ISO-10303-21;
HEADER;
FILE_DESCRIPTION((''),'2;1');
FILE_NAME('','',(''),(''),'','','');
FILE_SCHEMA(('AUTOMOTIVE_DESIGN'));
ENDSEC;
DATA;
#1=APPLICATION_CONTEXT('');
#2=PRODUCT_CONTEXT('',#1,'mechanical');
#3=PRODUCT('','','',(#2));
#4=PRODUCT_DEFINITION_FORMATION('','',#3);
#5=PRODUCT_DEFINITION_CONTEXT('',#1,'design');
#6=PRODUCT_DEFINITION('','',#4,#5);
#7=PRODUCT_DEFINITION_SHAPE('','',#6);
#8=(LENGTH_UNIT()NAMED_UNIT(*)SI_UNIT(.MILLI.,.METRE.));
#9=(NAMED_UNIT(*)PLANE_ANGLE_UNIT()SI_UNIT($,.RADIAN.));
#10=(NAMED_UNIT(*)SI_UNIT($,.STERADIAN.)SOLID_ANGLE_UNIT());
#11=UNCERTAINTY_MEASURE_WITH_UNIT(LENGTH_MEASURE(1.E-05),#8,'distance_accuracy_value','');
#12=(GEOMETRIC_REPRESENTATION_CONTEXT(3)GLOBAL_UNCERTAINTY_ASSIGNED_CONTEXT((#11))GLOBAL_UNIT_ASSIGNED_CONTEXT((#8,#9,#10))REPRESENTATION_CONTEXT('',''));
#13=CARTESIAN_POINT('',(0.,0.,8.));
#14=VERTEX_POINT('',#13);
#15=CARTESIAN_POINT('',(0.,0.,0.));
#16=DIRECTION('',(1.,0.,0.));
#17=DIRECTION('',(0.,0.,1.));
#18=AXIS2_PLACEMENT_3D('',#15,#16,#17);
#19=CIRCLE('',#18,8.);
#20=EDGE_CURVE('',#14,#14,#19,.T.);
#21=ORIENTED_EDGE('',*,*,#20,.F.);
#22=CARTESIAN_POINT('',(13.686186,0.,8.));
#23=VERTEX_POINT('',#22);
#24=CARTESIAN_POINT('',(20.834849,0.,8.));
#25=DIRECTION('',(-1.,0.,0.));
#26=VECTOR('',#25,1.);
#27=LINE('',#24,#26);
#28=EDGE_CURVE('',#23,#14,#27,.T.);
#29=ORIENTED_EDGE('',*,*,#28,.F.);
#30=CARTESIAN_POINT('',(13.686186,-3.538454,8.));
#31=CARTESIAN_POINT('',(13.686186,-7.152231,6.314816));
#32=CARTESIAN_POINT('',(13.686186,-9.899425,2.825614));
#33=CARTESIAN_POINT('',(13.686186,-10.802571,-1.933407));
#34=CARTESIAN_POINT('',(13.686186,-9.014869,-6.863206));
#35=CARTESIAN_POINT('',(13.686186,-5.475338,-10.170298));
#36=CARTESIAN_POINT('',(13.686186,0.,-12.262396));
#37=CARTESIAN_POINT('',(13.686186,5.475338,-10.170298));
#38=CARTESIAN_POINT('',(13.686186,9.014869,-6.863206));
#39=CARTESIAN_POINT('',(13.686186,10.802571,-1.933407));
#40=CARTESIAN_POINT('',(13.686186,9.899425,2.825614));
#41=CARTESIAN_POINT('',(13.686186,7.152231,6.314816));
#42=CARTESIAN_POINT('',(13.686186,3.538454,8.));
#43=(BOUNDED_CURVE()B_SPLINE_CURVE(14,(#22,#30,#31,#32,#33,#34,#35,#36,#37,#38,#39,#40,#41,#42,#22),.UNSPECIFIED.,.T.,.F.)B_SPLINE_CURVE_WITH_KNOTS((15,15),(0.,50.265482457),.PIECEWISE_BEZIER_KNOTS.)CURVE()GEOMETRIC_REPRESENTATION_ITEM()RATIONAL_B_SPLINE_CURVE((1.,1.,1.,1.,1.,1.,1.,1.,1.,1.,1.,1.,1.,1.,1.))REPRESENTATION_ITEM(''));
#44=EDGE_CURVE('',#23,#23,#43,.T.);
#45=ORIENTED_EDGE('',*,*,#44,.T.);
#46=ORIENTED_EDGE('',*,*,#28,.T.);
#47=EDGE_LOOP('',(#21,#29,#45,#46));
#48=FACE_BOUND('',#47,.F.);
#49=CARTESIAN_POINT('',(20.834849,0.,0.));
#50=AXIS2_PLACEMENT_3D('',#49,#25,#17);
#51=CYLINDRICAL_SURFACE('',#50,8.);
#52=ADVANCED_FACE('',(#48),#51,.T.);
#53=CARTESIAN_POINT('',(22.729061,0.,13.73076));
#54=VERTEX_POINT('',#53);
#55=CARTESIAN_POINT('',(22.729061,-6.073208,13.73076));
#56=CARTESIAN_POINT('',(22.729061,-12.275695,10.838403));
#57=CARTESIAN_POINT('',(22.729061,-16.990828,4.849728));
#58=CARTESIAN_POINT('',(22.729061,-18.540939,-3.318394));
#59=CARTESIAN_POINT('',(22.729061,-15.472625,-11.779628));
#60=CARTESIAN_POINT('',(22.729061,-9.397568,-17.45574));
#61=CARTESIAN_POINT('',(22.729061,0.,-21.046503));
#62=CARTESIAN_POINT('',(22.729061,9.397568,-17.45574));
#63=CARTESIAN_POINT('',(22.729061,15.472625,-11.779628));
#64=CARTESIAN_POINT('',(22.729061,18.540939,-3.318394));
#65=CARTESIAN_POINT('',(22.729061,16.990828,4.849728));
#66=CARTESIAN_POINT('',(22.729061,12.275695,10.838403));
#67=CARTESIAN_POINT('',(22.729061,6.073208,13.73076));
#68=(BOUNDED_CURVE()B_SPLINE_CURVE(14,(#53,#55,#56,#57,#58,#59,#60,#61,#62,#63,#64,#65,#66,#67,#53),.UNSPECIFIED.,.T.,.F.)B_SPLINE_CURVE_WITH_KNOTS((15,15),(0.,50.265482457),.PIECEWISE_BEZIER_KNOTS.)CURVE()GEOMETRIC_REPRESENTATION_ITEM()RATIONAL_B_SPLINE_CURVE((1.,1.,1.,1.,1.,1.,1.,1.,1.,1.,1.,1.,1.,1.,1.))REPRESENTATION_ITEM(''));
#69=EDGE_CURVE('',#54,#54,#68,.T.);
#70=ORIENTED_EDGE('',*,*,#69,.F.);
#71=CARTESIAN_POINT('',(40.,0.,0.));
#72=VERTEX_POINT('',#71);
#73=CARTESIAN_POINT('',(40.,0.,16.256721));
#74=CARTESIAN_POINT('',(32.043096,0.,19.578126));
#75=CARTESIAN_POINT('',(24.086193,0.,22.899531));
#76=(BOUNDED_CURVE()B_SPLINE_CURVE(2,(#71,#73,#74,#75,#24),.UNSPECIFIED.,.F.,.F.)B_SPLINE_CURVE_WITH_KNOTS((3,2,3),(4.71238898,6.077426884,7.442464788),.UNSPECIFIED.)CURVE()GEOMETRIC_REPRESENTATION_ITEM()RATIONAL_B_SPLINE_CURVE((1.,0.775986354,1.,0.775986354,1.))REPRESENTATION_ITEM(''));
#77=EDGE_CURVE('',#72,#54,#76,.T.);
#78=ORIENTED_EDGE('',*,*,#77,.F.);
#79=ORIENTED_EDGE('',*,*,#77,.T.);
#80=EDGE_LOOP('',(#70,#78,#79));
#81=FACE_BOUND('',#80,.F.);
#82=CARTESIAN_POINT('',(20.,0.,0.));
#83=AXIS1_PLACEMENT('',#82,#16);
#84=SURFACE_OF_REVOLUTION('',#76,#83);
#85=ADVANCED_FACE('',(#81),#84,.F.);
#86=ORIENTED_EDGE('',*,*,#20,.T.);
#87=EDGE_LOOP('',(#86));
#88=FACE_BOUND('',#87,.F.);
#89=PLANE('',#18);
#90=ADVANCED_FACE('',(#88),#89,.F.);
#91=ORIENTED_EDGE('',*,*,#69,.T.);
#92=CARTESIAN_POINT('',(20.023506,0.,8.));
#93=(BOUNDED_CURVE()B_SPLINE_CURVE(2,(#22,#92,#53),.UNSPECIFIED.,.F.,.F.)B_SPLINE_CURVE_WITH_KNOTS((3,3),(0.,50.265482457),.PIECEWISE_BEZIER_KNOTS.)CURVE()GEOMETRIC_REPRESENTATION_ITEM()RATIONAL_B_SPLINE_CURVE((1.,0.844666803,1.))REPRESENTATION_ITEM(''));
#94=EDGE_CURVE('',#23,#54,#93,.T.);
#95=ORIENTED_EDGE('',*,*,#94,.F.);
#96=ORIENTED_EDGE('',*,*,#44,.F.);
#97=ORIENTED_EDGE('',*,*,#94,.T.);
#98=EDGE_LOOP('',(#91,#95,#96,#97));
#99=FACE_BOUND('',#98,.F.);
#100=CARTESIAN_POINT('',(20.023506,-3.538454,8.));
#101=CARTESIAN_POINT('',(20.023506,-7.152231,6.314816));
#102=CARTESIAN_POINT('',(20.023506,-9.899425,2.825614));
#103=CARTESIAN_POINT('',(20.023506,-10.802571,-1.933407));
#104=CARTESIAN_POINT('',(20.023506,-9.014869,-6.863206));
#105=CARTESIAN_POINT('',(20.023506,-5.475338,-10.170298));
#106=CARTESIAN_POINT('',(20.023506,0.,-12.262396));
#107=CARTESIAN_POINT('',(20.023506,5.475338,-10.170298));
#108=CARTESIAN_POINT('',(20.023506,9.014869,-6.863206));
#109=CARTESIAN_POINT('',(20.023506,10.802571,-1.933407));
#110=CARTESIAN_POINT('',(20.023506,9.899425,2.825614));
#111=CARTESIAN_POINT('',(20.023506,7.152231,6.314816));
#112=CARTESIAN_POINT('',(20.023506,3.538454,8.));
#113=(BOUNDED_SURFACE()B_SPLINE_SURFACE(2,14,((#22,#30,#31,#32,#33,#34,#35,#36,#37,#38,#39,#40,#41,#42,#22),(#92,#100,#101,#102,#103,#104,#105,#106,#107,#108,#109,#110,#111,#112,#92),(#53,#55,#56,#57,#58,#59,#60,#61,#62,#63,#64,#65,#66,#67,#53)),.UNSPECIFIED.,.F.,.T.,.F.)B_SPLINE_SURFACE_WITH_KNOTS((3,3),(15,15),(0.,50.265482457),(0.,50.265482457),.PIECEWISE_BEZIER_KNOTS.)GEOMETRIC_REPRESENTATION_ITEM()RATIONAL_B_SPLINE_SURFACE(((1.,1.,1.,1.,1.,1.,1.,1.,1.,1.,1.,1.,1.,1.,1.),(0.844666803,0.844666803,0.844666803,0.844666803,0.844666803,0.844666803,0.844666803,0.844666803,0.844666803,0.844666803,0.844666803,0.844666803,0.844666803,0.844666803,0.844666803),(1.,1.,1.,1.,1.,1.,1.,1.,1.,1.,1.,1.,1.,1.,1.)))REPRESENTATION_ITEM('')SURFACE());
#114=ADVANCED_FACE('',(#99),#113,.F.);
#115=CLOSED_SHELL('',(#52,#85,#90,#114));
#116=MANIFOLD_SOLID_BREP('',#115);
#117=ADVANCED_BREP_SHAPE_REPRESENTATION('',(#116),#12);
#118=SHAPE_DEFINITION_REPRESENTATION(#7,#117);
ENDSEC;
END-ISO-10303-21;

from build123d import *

# Parameters (mm, degrees)
F2_R = 10


with BuildPart() as f1:
    # F0 (on Front) → F1 (revolve)
    with BuildSketch(Plane.XZ):
        with BuildLine():
            Line((20.8348486101, 8), (0, 8))
            Line((0, 8), (0, 0))
            Line((0, 0), (40, 0))
            add(Edge.make_bspline(
                [(40, 0), (40, 16.2567213185), (32.0430964369, 19.5781262586), (24.0861928738, 22.8995311987), (20.8348486101, 8)],
                knots=[4.7123889804, 4.7123889804, 4.7123889804, 6.0774268841, 6.0774268841, 7.4424647879, 7.4424647879, 7.4424647879], degree=2, weights=[1, 0.7759863542, 1, 0.7759863542, 1]))
        make_face()
    revolve(axis=Axis((20, 0, 0), (1, 0, 0)))

    # F2
    f2_edges = [f1.edges().sort_by_distance(p)[0] for p in [
        (20.834849, 0, -8),
    ]]
    fillet(f2_edges, radius=F2_R)


solid = f1.part
